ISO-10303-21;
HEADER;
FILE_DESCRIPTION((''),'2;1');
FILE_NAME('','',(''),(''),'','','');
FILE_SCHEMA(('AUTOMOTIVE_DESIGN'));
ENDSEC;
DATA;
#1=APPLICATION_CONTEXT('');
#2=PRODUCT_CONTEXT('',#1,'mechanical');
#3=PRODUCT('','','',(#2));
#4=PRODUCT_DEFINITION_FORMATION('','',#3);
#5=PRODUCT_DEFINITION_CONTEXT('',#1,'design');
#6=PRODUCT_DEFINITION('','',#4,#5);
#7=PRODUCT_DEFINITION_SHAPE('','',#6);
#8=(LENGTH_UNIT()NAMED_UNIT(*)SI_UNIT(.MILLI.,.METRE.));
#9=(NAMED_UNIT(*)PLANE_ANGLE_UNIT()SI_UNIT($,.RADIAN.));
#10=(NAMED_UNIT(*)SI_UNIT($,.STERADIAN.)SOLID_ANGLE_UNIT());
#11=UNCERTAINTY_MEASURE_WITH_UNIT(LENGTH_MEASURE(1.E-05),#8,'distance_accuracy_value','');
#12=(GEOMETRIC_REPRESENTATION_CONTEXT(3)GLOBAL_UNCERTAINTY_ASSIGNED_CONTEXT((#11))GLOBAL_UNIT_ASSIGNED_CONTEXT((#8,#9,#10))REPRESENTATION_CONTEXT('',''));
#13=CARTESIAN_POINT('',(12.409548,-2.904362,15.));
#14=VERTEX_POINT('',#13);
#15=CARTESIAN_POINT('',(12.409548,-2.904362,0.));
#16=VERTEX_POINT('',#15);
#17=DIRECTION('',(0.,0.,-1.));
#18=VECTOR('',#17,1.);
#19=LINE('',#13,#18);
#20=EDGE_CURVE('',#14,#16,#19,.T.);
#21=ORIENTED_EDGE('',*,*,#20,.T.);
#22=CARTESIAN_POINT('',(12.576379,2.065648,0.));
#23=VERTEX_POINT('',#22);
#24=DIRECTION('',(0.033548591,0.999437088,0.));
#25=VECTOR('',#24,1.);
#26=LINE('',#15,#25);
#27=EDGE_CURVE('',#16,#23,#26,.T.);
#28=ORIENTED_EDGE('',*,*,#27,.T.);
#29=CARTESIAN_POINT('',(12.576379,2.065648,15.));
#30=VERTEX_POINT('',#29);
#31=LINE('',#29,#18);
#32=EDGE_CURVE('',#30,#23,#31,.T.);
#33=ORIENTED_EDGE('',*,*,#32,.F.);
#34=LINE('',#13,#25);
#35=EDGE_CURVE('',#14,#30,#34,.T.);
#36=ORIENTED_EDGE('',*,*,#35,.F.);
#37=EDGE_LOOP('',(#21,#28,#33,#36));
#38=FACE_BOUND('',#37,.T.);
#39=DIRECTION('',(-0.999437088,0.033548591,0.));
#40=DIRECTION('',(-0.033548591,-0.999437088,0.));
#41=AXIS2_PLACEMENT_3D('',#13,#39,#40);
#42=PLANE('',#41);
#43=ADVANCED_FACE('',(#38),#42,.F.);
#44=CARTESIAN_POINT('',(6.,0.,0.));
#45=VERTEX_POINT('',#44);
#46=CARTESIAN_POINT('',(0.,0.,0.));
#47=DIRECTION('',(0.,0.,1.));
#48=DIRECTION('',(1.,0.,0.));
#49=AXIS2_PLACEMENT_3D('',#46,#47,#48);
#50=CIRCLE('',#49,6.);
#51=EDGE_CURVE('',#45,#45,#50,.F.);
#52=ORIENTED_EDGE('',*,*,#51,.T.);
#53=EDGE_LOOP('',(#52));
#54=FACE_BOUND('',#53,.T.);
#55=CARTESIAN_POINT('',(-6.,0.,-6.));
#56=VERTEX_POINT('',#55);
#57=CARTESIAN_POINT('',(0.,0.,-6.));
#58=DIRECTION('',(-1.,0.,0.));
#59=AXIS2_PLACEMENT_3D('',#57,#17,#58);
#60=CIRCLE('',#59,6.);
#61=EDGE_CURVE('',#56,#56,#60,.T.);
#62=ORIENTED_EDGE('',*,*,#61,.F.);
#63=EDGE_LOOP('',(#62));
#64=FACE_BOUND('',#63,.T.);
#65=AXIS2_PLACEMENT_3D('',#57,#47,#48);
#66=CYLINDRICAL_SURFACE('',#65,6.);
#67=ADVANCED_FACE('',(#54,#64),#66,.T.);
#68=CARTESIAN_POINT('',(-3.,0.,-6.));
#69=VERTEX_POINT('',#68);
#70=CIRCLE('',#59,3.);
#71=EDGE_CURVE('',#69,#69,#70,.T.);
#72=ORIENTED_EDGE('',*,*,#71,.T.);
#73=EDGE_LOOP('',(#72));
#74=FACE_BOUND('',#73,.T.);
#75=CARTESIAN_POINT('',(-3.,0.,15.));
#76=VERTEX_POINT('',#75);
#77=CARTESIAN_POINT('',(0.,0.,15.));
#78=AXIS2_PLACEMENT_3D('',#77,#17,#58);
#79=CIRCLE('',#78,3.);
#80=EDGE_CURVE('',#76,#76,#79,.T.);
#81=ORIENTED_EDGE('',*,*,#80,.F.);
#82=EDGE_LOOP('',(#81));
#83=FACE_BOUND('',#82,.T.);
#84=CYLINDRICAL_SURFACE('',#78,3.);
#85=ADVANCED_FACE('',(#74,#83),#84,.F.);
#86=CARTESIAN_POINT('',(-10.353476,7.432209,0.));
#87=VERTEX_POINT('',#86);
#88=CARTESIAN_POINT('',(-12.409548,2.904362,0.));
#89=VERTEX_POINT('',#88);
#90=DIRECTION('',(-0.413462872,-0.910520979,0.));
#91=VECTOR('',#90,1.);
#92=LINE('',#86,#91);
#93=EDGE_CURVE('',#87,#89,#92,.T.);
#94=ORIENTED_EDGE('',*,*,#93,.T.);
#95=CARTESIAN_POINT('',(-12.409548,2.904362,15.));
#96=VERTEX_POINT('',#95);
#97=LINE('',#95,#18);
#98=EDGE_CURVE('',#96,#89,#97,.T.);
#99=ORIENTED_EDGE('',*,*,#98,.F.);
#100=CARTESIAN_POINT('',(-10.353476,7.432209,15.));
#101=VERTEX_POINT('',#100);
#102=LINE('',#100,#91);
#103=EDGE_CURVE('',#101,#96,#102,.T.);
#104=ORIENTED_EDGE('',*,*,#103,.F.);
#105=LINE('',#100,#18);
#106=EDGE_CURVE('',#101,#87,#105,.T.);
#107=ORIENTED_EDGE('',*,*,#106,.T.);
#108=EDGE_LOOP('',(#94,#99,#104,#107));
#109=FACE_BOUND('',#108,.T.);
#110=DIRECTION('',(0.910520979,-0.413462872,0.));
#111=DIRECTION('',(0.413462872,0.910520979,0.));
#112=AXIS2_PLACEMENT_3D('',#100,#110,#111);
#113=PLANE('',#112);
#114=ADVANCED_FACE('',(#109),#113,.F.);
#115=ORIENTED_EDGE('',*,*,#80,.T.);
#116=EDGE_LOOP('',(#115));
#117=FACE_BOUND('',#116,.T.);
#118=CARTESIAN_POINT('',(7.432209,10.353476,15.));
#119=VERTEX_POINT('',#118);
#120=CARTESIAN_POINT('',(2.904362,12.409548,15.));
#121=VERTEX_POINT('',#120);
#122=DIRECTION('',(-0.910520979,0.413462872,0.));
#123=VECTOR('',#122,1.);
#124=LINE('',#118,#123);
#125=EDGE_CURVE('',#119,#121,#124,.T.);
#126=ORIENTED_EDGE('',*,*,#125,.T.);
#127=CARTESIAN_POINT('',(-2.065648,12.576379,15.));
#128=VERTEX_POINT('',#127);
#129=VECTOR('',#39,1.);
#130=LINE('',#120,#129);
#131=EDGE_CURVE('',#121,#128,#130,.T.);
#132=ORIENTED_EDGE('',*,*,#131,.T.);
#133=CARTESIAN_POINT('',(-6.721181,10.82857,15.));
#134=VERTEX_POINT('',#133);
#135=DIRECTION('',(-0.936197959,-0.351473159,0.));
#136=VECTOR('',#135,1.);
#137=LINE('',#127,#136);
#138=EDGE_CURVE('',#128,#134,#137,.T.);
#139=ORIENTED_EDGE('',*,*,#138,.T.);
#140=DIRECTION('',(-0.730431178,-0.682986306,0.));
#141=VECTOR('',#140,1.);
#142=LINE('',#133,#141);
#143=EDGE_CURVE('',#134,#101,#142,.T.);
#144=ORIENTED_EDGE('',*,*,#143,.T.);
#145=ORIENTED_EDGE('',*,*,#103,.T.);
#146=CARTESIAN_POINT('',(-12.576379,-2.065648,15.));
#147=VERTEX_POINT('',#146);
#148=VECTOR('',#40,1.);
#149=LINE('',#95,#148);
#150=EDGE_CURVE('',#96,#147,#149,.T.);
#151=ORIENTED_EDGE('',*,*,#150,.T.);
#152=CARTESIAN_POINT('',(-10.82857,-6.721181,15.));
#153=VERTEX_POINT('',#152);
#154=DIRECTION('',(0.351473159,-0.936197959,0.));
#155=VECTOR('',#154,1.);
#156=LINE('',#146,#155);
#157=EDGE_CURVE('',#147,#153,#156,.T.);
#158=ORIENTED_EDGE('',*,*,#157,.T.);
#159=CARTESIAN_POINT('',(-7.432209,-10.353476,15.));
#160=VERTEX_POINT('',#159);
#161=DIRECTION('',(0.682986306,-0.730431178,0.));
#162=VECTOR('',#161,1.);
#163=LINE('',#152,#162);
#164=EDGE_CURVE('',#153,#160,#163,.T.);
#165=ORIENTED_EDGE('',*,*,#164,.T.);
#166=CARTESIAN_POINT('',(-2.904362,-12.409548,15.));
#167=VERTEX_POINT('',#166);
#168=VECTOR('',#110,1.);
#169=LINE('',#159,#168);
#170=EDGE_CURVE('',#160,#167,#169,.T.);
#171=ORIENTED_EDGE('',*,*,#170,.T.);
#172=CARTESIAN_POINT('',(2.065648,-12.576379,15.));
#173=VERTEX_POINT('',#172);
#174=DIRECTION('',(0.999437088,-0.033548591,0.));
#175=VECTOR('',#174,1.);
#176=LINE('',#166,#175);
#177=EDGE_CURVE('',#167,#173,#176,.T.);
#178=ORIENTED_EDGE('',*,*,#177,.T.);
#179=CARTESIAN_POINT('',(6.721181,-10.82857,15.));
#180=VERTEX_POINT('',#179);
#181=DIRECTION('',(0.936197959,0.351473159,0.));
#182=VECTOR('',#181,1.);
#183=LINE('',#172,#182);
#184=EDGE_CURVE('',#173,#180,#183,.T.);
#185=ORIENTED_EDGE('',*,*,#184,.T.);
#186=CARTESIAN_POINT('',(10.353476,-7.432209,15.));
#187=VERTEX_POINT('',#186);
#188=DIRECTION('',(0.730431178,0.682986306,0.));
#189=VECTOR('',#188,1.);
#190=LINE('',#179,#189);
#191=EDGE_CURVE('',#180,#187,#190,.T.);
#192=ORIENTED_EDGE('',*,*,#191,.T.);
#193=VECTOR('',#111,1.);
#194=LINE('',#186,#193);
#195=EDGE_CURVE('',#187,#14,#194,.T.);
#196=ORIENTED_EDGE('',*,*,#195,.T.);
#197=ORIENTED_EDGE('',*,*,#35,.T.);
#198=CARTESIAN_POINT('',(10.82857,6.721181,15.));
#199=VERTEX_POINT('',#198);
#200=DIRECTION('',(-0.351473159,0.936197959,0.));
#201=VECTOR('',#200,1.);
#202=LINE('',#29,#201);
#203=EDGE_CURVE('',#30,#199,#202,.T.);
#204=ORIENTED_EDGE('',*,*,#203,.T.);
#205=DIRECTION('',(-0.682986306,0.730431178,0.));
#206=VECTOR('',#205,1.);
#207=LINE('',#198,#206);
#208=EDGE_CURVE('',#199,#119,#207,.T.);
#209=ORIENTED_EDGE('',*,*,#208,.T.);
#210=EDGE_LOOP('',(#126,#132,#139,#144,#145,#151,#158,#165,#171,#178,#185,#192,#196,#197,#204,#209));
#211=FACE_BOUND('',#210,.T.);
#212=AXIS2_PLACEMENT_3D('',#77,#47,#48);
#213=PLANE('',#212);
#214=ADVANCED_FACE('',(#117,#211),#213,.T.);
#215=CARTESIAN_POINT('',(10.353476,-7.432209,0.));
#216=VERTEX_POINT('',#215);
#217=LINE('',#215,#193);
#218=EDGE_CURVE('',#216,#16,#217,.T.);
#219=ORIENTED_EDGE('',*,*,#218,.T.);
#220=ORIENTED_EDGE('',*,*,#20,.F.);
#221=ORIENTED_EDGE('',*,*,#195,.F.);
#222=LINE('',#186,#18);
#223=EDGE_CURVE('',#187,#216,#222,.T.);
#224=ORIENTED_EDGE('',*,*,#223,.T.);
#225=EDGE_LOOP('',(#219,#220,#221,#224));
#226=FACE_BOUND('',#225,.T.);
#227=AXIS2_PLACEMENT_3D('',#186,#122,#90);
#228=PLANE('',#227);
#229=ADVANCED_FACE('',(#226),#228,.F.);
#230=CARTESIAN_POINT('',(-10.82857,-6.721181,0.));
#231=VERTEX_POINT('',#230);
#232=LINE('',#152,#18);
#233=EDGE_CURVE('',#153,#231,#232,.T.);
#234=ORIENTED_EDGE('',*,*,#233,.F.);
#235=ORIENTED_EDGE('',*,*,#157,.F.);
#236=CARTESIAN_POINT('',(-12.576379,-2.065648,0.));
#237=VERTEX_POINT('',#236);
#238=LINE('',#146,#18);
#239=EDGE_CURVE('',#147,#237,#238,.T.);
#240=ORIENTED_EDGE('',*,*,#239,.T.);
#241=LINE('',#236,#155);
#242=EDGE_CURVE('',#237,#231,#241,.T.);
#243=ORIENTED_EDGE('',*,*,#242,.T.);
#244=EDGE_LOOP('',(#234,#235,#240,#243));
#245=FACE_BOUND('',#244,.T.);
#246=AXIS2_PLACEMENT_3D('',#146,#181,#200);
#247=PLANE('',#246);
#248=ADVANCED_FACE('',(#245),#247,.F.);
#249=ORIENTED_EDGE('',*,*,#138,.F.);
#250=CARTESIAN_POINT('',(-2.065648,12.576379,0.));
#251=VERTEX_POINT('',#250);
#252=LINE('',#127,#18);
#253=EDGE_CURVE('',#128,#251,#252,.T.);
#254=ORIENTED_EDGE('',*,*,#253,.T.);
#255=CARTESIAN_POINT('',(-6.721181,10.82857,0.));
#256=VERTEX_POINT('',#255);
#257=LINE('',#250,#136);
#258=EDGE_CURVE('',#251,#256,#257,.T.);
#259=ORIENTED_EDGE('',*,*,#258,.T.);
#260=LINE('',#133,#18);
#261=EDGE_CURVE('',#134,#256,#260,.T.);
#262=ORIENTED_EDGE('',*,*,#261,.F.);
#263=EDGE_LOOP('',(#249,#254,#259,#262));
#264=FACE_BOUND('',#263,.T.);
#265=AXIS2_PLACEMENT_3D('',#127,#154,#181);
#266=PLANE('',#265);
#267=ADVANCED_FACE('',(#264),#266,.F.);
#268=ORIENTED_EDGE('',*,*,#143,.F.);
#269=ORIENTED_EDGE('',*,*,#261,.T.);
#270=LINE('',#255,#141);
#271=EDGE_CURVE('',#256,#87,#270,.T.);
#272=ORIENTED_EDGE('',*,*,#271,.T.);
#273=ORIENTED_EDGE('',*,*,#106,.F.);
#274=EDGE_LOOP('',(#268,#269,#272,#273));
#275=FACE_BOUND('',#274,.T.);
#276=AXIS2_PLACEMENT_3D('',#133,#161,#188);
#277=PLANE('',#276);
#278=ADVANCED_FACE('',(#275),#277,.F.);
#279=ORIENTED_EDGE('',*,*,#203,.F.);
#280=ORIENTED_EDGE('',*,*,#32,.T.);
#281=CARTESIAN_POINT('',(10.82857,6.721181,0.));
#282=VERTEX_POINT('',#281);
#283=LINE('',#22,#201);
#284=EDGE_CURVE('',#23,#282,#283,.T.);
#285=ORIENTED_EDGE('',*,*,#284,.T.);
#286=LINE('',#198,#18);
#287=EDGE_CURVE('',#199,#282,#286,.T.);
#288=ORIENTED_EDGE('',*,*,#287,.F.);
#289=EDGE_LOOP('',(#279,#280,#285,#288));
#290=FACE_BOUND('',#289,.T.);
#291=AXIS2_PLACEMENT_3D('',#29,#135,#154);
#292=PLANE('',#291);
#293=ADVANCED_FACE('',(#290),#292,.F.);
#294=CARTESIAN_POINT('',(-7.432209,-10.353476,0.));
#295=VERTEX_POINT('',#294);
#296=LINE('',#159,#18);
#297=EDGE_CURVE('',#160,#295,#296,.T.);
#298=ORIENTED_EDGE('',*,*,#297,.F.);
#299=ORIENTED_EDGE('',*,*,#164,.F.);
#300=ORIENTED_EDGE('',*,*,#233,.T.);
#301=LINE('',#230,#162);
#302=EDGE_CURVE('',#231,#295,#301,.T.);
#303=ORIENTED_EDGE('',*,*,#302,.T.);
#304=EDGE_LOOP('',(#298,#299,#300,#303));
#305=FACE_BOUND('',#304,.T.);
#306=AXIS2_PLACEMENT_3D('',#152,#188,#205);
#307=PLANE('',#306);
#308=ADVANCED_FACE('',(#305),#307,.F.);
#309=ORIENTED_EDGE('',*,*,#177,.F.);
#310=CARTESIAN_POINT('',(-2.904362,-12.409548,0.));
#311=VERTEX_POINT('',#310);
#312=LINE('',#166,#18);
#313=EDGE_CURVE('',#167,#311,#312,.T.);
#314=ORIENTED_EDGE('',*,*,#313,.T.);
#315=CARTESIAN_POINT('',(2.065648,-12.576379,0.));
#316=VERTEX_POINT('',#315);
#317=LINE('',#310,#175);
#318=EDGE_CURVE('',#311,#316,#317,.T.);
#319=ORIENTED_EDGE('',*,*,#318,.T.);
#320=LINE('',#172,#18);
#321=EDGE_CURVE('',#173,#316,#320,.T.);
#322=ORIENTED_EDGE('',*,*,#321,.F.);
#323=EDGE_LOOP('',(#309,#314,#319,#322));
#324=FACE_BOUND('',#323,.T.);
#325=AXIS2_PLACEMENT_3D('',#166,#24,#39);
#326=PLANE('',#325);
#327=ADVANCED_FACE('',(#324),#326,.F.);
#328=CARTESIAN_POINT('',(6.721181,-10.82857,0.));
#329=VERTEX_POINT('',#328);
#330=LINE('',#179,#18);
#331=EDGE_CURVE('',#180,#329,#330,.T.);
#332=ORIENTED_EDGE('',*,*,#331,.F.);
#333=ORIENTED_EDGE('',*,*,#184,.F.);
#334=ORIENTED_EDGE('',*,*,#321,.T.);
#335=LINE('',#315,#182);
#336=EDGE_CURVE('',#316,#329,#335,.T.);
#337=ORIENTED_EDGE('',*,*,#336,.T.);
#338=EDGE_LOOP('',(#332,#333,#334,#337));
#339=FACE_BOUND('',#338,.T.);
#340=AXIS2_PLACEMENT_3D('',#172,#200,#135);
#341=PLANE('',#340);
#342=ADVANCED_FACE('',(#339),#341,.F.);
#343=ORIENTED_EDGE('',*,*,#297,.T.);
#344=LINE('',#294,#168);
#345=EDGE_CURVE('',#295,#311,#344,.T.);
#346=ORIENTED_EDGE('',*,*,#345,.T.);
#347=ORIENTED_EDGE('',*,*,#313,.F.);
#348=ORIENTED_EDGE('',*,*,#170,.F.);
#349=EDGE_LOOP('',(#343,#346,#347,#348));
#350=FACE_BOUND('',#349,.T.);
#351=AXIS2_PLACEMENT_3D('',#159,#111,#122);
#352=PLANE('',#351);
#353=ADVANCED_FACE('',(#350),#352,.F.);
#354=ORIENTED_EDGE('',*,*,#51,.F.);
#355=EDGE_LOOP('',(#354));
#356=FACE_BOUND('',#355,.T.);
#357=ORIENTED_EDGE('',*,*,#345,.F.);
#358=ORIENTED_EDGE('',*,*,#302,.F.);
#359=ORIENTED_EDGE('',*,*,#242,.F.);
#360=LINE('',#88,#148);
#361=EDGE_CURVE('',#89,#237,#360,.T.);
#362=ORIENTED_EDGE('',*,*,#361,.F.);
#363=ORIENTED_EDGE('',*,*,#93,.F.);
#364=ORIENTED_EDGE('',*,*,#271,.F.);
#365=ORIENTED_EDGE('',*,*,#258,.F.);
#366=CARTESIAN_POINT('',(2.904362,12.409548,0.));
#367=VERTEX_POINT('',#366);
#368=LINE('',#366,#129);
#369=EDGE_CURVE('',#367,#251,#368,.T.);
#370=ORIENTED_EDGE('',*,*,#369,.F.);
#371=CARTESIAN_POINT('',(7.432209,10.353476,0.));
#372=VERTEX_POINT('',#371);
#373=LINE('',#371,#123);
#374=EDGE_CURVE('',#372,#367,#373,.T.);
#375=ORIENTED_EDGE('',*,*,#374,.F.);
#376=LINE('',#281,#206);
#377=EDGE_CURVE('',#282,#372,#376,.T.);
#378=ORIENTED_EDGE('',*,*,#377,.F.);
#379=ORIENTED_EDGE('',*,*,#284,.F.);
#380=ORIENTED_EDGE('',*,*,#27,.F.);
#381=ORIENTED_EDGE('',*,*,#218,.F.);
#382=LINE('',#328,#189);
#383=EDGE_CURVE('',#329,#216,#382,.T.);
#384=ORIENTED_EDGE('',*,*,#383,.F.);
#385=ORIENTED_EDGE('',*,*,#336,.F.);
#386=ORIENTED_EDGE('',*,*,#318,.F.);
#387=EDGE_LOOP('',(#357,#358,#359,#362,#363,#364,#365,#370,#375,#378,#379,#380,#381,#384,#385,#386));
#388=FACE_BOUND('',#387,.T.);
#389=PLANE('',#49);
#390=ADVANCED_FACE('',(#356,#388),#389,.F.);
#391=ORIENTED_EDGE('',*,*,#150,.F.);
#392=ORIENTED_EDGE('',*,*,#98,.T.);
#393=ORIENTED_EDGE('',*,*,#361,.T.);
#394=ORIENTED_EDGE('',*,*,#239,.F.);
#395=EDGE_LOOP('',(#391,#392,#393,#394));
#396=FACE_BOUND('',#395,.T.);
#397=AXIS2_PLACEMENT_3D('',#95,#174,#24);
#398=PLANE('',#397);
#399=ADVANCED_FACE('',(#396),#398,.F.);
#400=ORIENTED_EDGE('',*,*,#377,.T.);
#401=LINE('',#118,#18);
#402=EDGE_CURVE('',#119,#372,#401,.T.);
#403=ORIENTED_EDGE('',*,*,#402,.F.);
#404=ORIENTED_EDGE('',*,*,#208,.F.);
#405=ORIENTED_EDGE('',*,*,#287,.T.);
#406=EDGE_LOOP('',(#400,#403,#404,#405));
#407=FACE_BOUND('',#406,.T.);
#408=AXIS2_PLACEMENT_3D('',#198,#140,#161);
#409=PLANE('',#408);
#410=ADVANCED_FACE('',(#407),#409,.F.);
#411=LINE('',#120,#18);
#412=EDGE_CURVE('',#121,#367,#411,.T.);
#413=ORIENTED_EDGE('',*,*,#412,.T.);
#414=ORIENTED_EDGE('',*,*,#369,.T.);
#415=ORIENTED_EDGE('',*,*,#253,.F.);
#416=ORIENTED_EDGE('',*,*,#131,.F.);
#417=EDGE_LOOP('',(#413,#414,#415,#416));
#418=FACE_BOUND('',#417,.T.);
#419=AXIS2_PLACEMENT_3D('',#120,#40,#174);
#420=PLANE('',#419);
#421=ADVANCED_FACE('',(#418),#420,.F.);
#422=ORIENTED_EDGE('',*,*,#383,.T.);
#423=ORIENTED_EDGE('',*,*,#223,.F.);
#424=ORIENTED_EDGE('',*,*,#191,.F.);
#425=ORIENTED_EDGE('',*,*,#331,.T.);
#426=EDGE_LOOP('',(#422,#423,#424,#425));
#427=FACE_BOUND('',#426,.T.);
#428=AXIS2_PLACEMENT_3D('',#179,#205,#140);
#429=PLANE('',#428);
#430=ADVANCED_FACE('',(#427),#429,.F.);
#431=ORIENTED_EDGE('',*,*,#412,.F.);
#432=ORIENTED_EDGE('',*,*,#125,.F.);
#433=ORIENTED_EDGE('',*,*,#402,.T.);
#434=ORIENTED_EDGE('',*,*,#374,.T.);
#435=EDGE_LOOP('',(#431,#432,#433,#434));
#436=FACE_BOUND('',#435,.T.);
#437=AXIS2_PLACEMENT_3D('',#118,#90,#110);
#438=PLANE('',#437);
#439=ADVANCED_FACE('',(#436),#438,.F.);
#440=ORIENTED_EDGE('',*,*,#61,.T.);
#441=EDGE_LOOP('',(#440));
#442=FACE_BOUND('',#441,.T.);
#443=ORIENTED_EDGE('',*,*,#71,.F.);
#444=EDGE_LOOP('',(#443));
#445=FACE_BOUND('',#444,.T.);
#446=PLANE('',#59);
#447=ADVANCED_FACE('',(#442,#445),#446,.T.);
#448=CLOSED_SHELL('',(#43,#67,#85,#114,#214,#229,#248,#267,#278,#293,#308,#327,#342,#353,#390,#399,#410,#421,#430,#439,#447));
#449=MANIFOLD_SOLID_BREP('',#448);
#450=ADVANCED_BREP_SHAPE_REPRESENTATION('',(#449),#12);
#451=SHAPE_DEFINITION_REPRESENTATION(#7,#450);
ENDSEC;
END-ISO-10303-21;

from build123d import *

# Parameters (mm, degrees)
EXTRUDE_1_DEPTH     = 15
SKETCH_2_R          = 6
EXTRUDE_2_DEPTH     = 6
SKETCH_3_R          = 3
CUT_EXTRUDE_1_DEPTH = 28.519640546


with BuildPart() as part:
    # Эскиз1 → Бобышка-Вытянуть1 (new body)
    with BuildSketch(Plane.XY):
        Polygon((10.828570014, 6.721181388), (7.432209439, 10.353476259), (2.90436235, 12.409548224), (-2.065647578, 12.576378965), (-6.721181388, 10.828570014), (-10.353476259, 7.432209439), (-12.409548224, 2.90436235), (-12.576378965, -2.065647578), (-10.828570014, -6.721181388), (-7.432209439, -10.353476259), (-2.90436235, -12.409548224), (2.065647578, -12.576378965), (6.721181388, -10.828570014), (10.353476259, -7.432209439), (12.409548224, -2.90436235), (12.576378965, 2.065647578), align=None)
    extrude(amount=EXTRUDE_1_DEPTH)

    # Эскиз2 → Бобышка-Вытянуть2 (add)
    with BuildSketch(Plane(origin=(0, 0, 0), x_dir=(-1, 0, 0), z_dir=(0, 0, -1))):
        with Locations(Location((0, 0, 0), (0, 0, 180))):
            Circle(SKETCH_2_R)
    extrude(amount=EXTRUDE_2_DEPTH)

    # Эскиз3 → Вырез-Вытянуть1 (cut, through all)
    with BuildSketch(Plane(origin=(0, 0, -6), x_dir=(-1, 0, 0), z_dir=(0, 0, -1))):
        Circle(SKETCH_3_R)
    extrude(amount=-CUT_EXTRUDE_1_DEPTH, mode=Mode.SUBTRACT)


solid = part.part
